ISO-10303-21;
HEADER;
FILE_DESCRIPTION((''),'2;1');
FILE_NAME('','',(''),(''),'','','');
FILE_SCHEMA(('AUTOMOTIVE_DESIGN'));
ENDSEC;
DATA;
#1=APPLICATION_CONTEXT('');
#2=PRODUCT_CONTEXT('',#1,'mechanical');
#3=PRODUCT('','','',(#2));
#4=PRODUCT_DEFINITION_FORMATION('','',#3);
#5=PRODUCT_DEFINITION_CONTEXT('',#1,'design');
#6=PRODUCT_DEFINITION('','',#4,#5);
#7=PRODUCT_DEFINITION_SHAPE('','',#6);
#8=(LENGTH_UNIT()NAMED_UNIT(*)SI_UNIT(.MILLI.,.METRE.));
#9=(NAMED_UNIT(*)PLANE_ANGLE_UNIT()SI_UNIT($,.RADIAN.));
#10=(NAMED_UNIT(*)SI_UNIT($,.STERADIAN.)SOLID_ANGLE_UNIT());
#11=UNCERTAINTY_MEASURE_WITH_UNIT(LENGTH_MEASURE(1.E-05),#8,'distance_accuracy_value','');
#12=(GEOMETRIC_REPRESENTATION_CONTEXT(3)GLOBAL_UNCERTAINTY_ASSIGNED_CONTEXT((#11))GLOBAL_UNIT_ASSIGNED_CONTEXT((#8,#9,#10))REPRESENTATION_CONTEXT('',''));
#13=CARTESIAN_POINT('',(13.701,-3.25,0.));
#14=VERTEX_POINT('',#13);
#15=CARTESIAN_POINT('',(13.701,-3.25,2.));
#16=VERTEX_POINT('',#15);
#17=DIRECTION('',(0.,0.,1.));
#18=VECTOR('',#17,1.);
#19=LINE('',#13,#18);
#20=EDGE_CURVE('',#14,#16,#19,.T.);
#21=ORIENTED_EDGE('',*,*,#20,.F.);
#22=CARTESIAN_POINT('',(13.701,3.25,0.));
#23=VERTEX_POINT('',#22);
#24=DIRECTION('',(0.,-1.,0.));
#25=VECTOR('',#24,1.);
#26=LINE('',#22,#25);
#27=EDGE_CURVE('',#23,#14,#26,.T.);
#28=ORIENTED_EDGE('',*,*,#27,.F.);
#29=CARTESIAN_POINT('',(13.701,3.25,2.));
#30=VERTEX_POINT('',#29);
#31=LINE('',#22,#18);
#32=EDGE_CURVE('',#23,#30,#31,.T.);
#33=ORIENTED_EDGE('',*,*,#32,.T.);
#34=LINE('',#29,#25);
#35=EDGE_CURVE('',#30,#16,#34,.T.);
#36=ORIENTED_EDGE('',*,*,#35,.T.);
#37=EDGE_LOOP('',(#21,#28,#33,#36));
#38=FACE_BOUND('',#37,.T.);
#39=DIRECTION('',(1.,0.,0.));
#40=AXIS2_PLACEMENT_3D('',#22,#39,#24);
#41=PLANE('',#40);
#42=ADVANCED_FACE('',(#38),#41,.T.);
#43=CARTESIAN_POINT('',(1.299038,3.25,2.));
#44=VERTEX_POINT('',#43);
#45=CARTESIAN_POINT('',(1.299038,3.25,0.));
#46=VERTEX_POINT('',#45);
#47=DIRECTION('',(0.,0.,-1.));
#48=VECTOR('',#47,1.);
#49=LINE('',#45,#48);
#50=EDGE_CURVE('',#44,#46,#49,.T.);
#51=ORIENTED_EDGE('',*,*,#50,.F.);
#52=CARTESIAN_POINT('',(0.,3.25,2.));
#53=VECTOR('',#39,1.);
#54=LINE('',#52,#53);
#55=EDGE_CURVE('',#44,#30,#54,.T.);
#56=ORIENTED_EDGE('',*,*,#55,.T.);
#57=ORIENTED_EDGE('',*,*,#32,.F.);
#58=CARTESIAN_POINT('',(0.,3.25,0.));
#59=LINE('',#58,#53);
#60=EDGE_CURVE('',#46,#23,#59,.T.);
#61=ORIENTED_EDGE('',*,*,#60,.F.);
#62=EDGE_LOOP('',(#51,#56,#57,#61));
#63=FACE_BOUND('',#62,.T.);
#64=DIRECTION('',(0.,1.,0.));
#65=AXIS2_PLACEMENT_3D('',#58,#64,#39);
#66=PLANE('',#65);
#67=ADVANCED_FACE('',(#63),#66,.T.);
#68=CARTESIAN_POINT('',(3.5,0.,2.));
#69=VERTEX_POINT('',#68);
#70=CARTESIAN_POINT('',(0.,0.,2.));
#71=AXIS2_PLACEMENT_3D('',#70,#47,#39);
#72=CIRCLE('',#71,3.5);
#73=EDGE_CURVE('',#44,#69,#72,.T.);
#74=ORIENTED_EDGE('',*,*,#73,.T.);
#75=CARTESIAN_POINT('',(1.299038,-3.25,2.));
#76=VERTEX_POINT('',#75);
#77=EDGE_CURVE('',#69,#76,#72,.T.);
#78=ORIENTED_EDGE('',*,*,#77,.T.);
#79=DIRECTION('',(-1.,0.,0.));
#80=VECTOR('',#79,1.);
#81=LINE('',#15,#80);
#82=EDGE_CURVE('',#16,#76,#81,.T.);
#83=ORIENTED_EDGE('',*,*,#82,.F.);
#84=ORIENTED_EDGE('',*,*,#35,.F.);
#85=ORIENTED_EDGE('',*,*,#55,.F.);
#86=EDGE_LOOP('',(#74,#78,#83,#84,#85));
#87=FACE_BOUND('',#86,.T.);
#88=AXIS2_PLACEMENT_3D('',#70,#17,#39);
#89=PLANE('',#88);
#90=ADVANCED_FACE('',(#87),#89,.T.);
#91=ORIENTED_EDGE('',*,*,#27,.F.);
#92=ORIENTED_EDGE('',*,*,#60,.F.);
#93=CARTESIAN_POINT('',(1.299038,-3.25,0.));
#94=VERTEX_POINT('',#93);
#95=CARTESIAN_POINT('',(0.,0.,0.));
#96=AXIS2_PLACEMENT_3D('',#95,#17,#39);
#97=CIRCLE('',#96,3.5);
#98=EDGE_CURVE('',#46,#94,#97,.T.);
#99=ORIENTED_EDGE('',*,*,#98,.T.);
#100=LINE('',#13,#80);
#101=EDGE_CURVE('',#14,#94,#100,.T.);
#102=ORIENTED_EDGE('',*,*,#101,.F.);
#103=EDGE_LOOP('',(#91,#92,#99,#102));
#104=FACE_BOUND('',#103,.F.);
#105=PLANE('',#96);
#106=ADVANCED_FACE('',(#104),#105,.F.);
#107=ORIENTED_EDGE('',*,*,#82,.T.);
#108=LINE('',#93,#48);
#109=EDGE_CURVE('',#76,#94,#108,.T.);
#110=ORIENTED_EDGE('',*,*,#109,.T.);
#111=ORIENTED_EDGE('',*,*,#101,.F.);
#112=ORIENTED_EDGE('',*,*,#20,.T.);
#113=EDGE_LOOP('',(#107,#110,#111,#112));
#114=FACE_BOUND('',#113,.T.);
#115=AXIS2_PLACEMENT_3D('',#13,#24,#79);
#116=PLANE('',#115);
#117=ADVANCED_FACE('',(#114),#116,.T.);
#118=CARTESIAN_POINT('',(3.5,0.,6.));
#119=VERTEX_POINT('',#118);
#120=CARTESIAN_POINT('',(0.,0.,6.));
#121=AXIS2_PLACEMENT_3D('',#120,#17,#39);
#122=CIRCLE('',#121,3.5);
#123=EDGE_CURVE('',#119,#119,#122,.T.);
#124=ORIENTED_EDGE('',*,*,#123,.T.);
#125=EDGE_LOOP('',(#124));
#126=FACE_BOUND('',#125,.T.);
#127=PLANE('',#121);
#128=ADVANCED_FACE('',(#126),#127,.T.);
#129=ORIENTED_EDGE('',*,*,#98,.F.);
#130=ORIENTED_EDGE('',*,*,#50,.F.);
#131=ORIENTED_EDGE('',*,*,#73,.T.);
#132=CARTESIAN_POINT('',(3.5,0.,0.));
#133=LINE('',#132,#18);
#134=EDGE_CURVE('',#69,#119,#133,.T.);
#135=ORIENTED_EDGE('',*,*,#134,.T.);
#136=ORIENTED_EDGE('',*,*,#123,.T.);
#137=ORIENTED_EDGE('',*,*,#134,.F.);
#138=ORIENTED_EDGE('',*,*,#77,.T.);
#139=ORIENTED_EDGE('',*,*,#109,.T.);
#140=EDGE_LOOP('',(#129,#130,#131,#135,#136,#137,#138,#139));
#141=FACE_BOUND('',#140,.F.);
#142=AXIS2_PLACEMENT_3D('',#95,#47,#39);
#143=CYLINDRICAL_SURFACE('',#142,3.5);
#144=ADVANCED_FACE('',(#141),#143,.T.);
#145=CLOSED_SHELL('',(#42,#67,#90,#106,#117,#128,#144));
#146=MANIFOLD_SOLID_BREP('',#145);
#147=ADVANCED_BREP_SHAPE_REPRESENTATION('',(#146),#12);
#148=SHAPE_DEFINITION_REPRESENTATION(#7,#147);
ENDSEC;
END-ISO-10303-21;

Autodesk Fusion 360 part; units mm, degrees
sketch "Sketch1" plane through (0, 0, 0) normal (0, 0, 1) x (1, 0, 0)
  circle A0 centre (0, 0) radius 3.5
  dimension "d1" = 7
extrude "Extrude1" add sketch "Sketch1" along normal blind 6
sketch "Sketch2" plane through (0, 0, 0) normal (0, 0, 1) x (1, 0, 0)
  line L0 (0, 3.25) -> (13.701, 3.25)
  line L1 (13.701, 3.25) -> (13.701, -3.25)
  line L2 (13.701, -3.25) -> (0, -3.25)
  line L3 (0, -3.25) -> (0, 3.25)
  dimension "d4" = 6.5
  dimension "d5" = 13.701
extrude "Extrude2" add sketch "Sketch2" along normal blind 2
